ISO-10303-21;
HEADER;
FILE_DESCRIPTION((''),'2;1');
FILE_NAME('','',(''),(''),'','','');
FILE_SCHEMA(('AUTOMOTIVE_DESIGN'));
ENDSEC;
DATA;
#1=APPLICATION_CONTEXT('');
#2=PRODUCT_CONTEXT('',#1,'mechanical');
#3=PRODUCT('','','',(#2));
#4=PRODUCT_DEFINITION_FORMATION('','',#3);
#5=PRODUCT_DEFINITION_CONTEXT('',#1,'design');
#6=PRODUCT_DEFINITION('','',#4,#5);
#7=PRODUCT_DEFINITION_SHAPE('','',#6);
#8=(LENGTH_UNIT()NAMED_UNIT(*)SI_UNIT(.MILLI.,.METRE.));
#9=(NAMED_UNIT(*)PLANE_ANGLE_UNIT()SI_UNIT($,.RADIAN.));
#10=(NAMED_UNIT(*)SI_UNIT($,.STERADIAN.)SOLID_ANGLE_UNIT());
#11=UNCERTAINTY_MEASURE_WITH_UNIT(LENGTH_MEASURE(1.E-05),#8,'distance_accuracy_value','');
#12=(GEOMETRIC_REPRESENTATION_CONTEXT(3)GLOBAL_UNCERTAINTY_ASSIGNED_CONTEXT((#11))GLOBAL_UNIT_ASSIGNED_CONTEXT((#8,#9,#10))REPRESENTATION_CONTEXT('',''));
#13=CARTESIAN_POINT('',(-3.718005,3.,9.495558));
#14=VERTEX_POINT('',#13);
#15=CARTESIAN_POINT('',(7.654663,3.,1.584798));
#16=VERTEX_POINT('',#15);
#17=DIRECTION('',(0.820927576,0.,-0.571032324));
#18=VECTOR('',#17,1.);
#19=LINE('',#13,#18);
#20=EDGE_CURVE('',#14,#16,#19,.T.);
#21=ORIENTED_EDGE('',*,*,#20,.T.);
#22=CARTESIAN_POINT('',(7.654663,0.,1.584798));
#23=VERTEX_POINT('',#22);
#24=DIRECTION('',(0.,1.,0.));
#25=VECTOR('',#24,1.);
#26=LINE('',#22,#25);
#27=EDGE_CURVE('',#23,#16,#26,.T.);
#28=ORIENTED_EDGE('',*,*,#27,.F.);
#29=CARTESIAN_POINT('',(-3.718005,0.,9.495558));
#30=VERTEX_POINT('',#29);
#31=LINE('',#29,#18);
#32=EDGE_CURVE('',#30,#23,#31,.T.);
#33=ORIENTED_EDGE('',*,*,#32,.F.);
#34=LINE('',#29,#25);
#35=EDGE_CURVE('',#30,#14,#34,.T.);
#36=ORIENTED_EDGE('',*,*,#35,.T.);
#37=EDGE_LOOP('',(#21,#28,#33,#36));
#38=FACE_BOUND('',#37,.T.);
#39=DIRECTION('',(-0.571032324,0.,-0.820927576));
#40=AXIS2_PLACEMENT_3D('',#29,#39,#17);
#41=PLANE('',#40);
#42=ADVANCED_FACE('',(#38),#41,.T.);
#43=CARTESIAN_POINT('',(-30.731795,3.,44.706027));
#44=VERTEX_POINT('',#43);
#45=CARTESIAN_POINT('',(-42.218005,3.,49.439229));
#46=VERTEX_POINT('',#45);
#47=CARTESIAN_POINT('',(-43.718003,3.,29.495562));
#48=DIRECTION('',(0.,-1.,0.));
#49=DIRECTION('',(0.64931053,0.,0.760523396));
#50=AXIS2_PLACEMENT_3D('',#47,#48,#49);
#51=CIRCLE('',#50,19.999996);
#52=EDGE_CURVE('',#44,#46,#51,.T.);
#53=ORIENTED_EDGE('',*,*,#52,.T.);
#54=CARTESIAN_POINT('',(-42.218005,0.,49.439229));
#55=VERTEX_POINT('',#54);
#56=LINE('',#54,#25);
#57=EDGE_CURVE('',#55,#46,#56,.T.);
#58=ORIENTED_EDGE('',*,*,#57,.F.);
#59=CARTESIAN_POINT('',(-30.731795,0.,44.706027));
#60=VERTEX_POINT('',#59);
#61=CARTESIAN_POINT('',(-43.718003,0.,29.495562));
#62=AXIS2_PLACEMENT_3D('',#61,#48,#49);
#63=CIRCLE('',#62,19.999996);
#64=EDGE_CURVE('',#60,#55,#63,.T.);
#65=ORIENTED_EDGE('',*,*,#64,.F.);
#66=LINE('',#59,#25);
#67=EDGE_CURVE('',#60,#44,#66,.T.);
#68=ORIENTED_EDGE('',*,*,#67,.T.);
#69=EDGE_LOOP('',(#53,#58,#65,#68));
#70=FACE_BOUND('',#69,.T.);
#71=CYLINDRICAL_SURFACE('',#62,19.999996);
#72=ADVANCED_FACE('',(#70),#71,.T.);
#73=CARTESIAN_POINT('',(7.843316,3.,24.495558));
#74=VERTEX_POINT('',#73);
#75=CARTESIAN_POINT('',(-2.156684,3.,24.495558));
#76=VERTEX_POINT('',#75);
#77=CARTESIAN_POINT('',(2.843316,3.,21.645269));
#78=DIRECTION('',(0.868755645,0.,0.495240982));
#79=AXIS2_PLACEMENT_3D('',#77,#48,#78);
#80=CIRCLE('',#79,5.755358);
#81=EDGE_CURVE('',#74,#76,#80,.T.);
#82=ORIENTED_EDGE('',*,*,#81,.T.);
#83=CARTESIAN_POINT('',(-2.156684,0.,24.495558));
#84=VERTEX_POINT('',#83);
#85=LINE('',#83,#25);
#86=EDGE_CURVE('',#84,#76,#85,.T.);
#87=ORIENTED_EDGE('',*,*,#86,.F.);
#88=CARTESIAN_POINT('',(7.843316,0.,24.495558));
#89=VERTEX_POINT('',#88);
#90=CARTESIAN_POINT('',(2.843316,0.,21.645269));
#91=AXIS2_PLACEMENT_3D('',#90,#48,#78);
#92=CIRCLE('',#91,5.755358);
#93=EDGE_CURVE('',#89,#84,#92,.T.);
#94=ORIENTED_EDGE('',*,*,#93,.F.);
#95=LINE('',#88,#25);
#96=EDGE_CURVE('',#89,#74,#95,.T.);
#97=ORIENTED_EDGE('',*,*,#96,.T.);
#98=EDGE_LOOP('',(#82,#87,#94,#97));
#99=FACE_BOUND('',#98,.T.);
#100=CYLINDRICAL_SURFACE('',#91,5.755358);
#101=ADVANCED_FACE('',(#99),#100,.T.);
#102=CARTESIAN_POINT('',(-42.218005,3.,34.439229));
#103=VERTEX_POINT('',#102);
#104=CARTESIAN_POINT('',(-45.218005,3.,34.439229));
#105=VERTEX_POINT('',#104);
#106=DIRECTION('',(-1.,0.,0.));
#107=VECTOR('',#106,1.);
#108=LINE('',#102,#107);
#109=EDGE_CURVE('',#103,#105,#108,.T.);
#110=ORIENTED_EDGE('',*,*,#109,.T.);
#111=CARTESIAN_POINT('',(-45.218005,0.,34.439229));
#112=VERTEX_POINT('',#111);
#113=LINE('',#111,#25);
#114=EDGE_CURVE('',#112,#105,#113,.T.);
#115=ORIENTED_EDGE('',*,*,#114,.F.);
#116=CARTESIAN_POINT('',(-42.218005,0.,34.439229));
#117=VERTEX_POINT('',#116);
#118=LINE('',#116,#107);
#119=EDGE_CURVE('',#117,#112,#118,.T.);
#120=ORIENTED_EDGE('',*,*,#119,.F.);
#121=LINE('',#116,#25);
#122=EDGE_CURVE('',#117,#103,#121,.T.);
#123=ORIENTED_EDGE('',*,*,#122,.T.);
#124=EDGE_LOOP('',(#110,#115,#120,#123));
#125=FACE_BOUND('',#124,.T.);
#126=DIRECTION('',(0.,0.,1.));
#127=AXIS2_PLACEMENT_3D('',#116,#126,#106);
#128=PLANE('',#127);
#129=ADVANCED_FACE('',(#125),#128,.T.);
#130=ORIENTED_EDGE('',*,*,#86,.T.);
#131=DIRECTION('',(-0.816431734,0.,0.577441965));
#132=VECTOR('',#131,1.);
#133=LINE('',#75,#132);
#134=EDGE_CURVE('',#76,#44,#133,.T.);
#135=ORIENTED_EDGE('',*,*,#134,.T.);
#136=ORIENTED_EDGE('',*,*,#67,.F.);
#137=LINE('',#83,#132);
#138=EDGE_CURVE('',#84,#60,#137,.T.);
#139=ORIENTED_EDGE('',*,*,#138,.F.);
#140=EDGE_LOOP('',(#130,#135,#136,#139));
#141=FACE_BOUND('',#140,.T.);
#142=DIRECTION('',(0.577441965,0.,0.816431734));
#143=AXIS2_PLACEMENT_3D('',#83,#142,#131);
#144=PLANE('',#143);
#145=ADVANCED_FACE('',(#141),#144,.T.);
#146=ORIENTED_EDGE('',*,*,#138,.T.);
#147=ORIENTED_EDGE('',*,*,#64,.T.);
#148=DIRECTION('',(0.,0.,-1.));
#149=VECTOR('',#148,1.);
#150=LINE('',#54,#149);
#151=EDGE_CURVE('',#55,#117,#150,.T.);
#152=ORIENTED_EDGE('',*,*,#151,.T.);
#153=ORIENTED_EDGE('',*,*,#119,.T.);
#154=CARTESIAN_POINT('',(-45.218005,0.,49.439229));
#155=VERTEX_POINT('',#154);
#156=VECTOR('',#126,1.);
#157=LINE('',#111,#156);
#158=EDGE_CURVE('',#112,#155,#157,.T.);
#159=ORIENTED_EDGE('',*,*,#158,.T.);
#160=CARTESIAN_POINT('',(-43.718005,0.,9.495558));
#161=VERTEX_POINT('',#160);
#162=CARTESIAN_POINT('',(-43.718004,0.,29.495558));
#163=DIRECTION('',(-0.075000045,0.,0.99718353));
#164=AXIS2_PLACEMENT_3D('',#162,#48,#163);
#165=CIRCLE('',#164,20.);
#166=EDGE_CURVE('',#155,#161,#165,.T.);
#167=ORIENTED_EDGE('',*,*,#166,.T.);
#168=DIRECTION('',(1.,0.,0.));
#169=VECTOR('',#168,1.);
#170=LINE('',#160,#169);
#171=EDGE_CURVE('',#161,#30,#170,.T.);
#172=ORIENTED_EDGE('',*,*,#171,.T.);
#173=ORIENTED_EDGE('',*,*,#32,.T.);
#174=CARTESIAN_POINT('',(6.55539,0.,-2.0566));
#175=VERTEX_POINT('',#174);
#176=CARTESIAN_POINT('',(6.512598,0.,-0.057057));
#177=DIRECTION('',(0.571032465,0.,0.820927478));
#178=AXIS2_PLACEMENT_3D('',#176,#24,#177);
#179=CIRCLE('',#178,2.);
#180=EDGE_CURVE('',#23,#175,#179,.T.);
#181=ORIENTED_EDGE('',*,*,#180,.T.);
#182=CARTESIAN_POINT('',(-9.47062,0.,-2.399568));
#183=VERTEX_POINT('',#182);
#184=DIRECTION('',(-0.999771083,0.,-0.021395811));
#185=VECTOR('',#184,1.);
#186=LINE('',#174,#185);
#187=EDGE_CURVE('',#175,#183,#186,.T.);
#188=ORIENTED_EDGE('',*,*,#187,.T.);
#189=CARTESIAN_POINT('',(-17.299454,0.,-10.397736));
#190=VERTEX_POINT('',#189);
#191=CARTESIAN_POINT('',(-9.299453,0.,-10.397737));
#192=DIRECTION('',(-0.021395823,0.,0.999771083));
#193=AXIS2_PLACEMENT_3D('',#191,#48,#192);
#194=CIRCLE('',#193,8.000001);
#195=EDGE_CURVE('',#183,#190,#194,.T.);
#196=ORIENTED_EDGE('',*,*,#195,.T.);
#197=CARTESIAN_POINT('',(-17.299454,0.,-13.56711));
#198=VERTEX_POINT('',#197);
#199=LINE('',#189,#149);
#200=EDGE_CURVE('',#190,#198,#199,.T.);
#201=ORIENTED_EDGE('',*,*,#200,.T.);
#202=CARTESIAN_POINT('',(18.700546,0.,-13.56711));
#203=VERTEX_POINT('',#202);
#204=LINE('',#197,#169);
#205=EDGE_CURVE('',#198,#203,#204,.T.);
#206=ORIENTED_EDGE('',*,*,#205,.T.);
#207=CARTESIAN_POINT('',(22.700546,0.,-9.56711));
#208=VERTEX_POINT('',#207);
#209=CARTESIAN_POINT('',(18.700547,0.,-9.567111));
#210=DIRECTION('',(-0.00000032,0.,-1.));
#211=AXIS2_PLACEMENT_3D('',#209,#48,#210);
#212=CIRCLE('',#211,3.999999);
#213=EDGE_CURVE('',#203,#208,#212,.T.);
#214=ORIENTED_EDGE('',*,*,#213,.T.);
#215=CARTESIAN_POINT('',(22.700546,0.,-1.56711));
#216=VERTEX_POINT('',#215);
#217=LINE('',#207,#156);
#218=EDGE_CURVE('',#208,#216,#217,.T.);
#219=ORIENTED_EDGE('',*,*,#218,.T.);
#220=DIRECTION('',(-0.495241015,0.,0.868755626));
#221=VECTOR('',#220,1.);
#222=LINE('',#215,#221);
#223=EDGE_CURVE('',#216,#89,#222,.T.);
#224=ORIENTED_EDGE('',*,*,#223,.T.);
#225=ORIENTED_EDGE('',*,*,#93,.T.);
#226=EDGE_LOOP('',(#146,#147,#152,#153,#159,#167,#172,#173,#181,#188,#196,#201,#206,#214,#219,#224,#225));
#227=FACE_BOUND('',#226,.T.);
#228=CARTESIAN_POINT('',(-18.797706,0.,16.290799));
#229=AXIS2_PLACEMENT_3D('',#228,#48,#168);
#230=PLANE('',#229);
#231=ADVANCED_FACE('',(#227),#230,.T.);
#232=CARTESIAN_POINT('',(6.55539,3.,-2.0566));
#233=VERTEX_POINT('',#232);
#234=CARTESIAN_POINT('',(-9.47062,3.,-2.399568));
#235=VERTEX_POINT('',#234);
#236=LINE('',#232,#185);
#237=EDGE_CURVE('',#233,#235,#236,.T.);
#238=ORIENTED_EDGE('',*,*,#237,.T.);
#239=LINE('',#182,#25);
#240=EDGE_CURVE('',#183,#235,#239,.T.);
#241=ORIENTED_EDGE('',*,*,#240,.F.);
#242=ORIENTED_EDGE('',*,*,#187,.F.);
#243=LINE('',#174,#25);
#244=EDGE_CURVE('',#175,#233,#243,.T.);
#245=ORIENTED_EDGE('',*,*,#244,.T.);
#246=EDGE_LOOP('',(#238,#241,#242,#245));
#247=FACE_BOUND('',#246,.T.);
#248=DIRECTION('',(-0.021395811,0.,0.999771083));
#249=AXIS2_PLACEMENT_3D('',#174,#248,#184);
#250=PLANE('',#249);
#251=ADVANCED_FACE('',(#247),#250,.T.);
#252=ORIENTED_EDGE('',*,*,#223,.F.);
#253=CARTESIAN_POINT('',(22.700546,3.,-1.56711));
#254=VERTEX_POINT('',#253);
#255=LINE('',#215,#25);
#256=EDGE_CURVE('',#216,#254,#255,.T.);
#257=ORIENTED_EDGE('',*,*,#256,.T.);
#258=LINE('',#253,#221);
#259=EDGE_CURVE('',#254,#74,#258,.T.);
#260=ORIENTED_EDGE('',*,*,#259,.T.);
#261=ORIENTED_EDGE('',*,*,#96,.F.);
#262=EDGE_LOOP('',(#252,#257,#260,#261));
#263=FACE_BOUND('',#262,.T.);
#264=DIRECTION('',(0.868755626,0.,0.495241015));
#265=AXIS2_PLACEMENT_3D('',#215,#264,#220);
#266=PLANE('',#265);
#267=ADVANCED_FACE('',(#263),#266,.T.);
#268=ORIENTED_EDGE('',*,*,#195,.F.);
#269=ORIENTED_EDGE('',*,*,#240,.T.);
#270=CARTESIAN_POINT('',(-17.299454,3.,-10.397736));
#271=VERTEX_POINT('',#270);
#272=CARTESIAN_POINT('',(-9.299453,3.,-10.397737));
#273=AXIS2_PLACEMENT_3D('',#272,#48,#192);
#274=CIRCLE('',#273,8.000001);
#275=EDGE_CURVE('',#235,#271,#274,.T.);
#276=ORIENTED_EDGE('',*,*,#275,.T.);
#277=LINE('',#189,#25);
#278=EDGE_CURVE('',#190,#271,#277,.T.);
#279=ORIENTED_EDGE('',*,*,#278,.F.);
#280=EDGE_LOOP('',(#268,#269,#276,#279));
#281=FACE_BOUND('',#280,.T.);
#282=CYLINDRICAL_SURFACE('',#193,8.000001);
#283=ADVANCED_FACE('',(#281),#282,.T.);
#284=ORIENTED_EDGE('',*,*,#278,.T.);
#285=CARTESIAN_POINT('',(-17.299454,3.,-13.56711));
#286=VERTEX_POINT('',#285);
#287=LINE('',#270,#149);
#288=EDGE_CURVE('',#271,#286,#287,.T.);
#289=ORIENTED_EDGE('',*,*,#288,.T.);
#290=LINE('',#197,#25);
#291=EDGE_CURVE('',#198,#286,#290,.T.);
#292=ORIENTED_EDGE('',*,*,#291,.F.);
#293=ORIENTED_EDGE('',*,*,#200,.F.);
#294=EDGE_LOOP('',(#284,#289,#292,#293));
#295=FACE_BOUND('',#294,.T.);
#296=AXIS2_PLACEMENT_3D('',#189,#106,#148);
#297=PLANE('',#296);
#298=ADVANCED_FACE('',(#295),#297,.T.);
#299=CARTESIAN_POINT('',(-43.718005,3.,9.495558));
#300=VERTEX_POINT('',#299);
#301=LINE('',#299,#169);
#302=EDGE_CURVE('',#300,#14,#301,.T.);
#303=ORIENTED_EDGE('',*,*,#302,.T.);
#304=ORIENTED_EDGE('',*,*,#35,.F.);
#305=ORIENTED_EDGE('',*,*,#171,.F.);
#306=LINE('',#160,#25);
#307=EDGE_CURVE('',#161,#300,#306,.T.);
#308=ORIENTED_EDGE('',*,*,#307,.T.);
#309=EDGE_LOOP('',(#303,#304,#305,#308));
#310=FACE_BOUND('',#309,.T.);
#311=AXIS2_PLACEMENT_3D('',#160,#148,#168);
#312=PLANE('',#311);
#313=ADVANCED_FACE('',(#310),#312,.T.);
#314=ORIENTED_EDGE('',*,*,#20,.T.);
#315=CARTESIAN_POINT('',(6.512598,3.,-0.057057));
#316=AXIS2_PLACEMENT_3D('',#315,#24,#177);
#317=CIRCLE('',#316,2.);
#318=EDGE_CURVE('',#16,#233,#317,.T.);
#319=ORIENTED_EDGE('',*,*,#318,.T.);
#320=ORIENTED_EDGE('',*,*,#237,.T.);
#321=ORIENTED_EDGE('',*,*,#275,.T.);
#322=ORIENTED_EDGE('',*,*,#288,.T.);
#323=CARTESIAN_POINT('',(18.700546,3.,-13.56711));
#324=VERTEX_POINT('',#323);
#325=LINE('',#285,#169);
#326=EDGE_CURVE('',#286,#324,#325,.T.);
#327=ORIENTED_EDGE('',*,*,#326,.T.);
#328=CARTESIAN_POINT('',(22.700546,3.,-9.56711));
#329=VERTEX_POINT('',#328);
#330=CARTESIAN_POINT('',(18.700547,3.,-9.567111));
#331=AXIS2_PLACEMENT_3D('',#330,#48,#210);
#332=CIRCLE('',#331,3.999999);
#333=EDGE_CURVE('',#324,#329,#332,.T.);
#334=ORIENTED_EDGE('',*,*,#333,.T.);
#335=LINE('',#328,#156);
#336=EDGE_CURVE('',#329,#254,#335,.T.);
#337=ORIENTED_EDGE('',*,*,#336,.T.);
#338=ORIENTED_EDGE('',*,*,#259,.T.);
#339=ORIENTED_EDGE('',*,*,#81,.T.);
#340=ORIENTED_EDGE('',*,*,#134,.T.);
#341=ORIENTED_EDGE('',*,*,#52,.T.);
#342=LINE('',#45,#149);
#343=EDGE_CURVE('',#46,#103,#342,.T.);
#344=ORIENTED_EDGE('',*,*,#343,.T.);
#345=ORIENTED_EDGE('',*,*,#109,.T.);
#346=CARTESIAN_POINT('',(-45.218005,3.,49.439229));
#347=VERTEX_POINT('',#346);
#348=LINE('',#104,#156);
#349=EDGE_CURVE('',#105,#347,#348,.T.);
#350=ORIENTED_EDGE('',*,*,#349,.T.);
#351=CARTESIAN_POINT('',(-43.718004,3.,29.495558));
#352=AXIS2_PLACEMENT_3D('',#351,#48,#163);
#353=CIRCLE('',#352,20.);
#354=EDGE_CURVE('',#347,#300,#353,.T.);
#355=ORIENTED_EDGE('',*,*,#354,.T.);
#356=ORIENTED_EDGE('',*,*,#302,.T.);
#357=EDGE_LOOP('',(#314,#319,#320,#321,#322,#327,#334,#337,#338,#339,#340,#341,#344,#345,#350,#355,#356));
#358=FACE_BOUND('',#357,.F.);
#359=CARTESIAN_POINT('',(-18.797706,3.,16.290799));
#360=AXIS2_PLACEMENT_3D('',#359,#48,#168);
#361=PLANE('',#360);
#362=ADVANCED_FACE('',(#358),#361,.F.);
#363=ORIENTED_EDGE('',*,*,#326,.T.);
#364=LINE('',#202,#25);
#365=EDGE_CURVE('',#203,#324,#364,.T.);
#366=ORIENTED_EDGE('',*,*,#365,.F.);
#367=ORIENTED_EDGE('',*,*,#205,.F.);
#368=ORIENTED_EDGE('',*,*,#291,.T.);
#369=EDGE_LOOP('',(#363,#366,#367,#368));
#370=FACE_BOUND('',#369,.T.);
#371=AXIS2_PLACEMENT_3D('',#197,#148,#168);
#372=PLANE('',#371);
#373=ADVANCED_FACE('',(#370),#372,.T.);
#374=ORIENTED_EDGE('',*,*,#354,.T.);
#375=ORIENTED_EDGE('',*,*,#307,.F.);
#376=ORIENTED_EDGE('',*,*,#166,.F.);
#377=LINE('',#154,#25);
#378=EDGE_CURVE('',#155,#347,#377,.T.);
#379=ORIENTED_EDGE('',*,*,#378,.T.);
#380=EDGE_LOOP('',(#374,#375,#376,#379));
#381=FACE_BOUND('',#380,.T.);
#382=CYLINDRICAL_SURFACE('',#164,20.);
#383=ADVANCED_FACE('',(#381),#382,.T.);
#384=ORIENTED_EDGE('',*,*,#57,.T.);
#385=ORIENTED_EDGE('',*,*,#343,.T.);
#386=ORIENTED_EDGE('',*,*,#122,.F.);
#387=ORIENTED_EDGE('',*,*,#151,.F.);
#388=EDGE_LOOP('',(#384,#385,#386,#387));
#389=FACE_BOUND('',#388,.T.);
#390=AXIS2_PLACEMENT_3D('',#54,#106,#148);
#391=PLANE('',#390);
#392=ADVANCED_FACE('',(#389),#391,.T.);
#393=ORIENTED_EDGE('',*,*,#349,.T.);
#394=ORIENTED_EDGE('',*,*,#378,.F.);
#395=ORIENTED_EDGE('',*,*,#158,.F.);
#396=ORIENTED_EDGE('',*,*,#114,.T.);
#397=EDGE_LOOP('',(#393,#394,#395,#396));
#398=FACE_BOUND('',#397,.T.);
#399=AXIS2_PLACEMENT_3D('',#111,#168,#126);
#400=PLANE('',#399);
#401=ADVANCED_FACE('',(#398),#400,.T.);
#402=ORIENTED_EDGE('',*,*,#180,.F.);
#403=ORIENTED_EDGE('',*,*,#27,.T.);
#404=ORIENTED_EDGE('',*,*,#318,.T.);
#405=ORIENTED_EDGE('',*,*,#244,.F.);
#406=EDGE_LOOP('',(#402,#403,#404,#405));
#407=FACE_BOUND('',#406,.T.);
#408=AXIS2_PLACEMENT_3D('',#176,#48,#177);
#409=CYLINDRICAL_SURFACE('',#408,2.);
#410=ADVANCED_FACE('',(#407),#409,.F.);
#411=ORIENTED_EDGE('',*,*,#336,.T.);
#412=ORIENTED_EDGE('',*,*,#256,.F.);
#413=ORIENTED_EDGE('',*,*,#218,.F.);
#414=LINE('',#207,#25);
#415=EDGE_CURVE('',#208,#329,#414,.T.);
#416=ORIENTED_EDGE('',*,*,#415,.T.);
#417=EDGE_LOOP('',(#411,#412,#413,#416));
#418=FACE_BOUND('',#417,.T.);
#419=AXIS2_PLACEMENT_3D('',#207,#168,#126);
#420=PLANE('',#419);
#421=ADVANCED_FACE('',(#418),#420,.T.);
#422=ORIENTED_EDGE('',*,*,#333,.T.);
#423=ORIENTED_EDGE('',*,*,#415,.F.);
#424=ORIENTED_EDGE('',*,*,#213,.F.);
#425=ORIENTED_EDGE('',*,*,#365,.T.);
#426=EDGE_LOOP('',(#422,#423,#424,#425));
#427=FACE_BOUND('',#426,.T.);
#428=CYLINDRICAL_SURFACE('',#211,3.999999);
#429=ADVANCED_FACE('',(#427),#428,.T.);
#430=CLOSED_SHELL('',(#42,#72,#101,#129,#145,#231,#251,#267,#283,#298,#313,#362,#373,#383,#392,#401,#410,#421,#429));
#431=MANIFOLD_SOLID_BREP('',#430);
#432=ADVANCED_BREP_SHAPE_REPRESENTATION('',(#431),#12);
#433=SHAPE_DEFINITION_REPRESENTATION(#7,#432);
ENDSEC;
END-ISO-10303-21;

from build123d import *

# Parameters (mm, degrees)
F1_DEPTH = 3


with BuildPart() as f1:
    # F0 (on Front) → F1 (new body)
    with BuildSketch(Plane.XZ):
        with BuildLine():
            Line((-45.218005, 34.439229), (-45.218005, 49.439229))
            ThreePointArc((-45.218005, 49.439229), (-63.703917, 28.74503), (-43.718005, 9.495558))
            Line((-43.718005, 9.495558), (-3.718005, 9.495558))
            Line((-3.718005, 9.495558), (7.654663, 1.584798))
            ThreePointArc((7.654663, 1.584798), (8.427256, -0.635059), (6.55539, -2.0566))
            Line((6.55539, -2.0566), (-9.47062, -2.399568))
            ThreePointArc((-9.47062, -2.399568), (-15.016504, -4.801726), (-17.299454, -10.397736))
            Line((-17.299454, -10.397736), (-17.299454, -13.56711))
            Line((-17.299454, -13.56711), (18.700546, -13.56711))
            ThreePointArc((18.700546, -13.56711), (21.528974, -12.395537), (22.700546, -9.56711))
            Line((22.700546, -9.56711), (22.700546, -1.56711))
            Line((22.700546, -1.56711), (7.843316, 24.495558))
            ThreePointArc((7.843316, 24.495558), (2.843316, 27.400627), (-2.156684, 24.495558))
            Line((-2.156684, 24.495558), (-30.731795, 44.706027))
            ThreePointArc((-30.731795, 44.706027), (-36.098072, 47.987087), (-42.218005, 49.439229))
            Line((-42.218005, 49.439229), (-42.218005, 34.439229))
            Line((-42.218005, 34.439229), (-45.218005, 34.439229))
        make_face()
    extrude(amount=-F1_DEPTH)


solid = f1.part
